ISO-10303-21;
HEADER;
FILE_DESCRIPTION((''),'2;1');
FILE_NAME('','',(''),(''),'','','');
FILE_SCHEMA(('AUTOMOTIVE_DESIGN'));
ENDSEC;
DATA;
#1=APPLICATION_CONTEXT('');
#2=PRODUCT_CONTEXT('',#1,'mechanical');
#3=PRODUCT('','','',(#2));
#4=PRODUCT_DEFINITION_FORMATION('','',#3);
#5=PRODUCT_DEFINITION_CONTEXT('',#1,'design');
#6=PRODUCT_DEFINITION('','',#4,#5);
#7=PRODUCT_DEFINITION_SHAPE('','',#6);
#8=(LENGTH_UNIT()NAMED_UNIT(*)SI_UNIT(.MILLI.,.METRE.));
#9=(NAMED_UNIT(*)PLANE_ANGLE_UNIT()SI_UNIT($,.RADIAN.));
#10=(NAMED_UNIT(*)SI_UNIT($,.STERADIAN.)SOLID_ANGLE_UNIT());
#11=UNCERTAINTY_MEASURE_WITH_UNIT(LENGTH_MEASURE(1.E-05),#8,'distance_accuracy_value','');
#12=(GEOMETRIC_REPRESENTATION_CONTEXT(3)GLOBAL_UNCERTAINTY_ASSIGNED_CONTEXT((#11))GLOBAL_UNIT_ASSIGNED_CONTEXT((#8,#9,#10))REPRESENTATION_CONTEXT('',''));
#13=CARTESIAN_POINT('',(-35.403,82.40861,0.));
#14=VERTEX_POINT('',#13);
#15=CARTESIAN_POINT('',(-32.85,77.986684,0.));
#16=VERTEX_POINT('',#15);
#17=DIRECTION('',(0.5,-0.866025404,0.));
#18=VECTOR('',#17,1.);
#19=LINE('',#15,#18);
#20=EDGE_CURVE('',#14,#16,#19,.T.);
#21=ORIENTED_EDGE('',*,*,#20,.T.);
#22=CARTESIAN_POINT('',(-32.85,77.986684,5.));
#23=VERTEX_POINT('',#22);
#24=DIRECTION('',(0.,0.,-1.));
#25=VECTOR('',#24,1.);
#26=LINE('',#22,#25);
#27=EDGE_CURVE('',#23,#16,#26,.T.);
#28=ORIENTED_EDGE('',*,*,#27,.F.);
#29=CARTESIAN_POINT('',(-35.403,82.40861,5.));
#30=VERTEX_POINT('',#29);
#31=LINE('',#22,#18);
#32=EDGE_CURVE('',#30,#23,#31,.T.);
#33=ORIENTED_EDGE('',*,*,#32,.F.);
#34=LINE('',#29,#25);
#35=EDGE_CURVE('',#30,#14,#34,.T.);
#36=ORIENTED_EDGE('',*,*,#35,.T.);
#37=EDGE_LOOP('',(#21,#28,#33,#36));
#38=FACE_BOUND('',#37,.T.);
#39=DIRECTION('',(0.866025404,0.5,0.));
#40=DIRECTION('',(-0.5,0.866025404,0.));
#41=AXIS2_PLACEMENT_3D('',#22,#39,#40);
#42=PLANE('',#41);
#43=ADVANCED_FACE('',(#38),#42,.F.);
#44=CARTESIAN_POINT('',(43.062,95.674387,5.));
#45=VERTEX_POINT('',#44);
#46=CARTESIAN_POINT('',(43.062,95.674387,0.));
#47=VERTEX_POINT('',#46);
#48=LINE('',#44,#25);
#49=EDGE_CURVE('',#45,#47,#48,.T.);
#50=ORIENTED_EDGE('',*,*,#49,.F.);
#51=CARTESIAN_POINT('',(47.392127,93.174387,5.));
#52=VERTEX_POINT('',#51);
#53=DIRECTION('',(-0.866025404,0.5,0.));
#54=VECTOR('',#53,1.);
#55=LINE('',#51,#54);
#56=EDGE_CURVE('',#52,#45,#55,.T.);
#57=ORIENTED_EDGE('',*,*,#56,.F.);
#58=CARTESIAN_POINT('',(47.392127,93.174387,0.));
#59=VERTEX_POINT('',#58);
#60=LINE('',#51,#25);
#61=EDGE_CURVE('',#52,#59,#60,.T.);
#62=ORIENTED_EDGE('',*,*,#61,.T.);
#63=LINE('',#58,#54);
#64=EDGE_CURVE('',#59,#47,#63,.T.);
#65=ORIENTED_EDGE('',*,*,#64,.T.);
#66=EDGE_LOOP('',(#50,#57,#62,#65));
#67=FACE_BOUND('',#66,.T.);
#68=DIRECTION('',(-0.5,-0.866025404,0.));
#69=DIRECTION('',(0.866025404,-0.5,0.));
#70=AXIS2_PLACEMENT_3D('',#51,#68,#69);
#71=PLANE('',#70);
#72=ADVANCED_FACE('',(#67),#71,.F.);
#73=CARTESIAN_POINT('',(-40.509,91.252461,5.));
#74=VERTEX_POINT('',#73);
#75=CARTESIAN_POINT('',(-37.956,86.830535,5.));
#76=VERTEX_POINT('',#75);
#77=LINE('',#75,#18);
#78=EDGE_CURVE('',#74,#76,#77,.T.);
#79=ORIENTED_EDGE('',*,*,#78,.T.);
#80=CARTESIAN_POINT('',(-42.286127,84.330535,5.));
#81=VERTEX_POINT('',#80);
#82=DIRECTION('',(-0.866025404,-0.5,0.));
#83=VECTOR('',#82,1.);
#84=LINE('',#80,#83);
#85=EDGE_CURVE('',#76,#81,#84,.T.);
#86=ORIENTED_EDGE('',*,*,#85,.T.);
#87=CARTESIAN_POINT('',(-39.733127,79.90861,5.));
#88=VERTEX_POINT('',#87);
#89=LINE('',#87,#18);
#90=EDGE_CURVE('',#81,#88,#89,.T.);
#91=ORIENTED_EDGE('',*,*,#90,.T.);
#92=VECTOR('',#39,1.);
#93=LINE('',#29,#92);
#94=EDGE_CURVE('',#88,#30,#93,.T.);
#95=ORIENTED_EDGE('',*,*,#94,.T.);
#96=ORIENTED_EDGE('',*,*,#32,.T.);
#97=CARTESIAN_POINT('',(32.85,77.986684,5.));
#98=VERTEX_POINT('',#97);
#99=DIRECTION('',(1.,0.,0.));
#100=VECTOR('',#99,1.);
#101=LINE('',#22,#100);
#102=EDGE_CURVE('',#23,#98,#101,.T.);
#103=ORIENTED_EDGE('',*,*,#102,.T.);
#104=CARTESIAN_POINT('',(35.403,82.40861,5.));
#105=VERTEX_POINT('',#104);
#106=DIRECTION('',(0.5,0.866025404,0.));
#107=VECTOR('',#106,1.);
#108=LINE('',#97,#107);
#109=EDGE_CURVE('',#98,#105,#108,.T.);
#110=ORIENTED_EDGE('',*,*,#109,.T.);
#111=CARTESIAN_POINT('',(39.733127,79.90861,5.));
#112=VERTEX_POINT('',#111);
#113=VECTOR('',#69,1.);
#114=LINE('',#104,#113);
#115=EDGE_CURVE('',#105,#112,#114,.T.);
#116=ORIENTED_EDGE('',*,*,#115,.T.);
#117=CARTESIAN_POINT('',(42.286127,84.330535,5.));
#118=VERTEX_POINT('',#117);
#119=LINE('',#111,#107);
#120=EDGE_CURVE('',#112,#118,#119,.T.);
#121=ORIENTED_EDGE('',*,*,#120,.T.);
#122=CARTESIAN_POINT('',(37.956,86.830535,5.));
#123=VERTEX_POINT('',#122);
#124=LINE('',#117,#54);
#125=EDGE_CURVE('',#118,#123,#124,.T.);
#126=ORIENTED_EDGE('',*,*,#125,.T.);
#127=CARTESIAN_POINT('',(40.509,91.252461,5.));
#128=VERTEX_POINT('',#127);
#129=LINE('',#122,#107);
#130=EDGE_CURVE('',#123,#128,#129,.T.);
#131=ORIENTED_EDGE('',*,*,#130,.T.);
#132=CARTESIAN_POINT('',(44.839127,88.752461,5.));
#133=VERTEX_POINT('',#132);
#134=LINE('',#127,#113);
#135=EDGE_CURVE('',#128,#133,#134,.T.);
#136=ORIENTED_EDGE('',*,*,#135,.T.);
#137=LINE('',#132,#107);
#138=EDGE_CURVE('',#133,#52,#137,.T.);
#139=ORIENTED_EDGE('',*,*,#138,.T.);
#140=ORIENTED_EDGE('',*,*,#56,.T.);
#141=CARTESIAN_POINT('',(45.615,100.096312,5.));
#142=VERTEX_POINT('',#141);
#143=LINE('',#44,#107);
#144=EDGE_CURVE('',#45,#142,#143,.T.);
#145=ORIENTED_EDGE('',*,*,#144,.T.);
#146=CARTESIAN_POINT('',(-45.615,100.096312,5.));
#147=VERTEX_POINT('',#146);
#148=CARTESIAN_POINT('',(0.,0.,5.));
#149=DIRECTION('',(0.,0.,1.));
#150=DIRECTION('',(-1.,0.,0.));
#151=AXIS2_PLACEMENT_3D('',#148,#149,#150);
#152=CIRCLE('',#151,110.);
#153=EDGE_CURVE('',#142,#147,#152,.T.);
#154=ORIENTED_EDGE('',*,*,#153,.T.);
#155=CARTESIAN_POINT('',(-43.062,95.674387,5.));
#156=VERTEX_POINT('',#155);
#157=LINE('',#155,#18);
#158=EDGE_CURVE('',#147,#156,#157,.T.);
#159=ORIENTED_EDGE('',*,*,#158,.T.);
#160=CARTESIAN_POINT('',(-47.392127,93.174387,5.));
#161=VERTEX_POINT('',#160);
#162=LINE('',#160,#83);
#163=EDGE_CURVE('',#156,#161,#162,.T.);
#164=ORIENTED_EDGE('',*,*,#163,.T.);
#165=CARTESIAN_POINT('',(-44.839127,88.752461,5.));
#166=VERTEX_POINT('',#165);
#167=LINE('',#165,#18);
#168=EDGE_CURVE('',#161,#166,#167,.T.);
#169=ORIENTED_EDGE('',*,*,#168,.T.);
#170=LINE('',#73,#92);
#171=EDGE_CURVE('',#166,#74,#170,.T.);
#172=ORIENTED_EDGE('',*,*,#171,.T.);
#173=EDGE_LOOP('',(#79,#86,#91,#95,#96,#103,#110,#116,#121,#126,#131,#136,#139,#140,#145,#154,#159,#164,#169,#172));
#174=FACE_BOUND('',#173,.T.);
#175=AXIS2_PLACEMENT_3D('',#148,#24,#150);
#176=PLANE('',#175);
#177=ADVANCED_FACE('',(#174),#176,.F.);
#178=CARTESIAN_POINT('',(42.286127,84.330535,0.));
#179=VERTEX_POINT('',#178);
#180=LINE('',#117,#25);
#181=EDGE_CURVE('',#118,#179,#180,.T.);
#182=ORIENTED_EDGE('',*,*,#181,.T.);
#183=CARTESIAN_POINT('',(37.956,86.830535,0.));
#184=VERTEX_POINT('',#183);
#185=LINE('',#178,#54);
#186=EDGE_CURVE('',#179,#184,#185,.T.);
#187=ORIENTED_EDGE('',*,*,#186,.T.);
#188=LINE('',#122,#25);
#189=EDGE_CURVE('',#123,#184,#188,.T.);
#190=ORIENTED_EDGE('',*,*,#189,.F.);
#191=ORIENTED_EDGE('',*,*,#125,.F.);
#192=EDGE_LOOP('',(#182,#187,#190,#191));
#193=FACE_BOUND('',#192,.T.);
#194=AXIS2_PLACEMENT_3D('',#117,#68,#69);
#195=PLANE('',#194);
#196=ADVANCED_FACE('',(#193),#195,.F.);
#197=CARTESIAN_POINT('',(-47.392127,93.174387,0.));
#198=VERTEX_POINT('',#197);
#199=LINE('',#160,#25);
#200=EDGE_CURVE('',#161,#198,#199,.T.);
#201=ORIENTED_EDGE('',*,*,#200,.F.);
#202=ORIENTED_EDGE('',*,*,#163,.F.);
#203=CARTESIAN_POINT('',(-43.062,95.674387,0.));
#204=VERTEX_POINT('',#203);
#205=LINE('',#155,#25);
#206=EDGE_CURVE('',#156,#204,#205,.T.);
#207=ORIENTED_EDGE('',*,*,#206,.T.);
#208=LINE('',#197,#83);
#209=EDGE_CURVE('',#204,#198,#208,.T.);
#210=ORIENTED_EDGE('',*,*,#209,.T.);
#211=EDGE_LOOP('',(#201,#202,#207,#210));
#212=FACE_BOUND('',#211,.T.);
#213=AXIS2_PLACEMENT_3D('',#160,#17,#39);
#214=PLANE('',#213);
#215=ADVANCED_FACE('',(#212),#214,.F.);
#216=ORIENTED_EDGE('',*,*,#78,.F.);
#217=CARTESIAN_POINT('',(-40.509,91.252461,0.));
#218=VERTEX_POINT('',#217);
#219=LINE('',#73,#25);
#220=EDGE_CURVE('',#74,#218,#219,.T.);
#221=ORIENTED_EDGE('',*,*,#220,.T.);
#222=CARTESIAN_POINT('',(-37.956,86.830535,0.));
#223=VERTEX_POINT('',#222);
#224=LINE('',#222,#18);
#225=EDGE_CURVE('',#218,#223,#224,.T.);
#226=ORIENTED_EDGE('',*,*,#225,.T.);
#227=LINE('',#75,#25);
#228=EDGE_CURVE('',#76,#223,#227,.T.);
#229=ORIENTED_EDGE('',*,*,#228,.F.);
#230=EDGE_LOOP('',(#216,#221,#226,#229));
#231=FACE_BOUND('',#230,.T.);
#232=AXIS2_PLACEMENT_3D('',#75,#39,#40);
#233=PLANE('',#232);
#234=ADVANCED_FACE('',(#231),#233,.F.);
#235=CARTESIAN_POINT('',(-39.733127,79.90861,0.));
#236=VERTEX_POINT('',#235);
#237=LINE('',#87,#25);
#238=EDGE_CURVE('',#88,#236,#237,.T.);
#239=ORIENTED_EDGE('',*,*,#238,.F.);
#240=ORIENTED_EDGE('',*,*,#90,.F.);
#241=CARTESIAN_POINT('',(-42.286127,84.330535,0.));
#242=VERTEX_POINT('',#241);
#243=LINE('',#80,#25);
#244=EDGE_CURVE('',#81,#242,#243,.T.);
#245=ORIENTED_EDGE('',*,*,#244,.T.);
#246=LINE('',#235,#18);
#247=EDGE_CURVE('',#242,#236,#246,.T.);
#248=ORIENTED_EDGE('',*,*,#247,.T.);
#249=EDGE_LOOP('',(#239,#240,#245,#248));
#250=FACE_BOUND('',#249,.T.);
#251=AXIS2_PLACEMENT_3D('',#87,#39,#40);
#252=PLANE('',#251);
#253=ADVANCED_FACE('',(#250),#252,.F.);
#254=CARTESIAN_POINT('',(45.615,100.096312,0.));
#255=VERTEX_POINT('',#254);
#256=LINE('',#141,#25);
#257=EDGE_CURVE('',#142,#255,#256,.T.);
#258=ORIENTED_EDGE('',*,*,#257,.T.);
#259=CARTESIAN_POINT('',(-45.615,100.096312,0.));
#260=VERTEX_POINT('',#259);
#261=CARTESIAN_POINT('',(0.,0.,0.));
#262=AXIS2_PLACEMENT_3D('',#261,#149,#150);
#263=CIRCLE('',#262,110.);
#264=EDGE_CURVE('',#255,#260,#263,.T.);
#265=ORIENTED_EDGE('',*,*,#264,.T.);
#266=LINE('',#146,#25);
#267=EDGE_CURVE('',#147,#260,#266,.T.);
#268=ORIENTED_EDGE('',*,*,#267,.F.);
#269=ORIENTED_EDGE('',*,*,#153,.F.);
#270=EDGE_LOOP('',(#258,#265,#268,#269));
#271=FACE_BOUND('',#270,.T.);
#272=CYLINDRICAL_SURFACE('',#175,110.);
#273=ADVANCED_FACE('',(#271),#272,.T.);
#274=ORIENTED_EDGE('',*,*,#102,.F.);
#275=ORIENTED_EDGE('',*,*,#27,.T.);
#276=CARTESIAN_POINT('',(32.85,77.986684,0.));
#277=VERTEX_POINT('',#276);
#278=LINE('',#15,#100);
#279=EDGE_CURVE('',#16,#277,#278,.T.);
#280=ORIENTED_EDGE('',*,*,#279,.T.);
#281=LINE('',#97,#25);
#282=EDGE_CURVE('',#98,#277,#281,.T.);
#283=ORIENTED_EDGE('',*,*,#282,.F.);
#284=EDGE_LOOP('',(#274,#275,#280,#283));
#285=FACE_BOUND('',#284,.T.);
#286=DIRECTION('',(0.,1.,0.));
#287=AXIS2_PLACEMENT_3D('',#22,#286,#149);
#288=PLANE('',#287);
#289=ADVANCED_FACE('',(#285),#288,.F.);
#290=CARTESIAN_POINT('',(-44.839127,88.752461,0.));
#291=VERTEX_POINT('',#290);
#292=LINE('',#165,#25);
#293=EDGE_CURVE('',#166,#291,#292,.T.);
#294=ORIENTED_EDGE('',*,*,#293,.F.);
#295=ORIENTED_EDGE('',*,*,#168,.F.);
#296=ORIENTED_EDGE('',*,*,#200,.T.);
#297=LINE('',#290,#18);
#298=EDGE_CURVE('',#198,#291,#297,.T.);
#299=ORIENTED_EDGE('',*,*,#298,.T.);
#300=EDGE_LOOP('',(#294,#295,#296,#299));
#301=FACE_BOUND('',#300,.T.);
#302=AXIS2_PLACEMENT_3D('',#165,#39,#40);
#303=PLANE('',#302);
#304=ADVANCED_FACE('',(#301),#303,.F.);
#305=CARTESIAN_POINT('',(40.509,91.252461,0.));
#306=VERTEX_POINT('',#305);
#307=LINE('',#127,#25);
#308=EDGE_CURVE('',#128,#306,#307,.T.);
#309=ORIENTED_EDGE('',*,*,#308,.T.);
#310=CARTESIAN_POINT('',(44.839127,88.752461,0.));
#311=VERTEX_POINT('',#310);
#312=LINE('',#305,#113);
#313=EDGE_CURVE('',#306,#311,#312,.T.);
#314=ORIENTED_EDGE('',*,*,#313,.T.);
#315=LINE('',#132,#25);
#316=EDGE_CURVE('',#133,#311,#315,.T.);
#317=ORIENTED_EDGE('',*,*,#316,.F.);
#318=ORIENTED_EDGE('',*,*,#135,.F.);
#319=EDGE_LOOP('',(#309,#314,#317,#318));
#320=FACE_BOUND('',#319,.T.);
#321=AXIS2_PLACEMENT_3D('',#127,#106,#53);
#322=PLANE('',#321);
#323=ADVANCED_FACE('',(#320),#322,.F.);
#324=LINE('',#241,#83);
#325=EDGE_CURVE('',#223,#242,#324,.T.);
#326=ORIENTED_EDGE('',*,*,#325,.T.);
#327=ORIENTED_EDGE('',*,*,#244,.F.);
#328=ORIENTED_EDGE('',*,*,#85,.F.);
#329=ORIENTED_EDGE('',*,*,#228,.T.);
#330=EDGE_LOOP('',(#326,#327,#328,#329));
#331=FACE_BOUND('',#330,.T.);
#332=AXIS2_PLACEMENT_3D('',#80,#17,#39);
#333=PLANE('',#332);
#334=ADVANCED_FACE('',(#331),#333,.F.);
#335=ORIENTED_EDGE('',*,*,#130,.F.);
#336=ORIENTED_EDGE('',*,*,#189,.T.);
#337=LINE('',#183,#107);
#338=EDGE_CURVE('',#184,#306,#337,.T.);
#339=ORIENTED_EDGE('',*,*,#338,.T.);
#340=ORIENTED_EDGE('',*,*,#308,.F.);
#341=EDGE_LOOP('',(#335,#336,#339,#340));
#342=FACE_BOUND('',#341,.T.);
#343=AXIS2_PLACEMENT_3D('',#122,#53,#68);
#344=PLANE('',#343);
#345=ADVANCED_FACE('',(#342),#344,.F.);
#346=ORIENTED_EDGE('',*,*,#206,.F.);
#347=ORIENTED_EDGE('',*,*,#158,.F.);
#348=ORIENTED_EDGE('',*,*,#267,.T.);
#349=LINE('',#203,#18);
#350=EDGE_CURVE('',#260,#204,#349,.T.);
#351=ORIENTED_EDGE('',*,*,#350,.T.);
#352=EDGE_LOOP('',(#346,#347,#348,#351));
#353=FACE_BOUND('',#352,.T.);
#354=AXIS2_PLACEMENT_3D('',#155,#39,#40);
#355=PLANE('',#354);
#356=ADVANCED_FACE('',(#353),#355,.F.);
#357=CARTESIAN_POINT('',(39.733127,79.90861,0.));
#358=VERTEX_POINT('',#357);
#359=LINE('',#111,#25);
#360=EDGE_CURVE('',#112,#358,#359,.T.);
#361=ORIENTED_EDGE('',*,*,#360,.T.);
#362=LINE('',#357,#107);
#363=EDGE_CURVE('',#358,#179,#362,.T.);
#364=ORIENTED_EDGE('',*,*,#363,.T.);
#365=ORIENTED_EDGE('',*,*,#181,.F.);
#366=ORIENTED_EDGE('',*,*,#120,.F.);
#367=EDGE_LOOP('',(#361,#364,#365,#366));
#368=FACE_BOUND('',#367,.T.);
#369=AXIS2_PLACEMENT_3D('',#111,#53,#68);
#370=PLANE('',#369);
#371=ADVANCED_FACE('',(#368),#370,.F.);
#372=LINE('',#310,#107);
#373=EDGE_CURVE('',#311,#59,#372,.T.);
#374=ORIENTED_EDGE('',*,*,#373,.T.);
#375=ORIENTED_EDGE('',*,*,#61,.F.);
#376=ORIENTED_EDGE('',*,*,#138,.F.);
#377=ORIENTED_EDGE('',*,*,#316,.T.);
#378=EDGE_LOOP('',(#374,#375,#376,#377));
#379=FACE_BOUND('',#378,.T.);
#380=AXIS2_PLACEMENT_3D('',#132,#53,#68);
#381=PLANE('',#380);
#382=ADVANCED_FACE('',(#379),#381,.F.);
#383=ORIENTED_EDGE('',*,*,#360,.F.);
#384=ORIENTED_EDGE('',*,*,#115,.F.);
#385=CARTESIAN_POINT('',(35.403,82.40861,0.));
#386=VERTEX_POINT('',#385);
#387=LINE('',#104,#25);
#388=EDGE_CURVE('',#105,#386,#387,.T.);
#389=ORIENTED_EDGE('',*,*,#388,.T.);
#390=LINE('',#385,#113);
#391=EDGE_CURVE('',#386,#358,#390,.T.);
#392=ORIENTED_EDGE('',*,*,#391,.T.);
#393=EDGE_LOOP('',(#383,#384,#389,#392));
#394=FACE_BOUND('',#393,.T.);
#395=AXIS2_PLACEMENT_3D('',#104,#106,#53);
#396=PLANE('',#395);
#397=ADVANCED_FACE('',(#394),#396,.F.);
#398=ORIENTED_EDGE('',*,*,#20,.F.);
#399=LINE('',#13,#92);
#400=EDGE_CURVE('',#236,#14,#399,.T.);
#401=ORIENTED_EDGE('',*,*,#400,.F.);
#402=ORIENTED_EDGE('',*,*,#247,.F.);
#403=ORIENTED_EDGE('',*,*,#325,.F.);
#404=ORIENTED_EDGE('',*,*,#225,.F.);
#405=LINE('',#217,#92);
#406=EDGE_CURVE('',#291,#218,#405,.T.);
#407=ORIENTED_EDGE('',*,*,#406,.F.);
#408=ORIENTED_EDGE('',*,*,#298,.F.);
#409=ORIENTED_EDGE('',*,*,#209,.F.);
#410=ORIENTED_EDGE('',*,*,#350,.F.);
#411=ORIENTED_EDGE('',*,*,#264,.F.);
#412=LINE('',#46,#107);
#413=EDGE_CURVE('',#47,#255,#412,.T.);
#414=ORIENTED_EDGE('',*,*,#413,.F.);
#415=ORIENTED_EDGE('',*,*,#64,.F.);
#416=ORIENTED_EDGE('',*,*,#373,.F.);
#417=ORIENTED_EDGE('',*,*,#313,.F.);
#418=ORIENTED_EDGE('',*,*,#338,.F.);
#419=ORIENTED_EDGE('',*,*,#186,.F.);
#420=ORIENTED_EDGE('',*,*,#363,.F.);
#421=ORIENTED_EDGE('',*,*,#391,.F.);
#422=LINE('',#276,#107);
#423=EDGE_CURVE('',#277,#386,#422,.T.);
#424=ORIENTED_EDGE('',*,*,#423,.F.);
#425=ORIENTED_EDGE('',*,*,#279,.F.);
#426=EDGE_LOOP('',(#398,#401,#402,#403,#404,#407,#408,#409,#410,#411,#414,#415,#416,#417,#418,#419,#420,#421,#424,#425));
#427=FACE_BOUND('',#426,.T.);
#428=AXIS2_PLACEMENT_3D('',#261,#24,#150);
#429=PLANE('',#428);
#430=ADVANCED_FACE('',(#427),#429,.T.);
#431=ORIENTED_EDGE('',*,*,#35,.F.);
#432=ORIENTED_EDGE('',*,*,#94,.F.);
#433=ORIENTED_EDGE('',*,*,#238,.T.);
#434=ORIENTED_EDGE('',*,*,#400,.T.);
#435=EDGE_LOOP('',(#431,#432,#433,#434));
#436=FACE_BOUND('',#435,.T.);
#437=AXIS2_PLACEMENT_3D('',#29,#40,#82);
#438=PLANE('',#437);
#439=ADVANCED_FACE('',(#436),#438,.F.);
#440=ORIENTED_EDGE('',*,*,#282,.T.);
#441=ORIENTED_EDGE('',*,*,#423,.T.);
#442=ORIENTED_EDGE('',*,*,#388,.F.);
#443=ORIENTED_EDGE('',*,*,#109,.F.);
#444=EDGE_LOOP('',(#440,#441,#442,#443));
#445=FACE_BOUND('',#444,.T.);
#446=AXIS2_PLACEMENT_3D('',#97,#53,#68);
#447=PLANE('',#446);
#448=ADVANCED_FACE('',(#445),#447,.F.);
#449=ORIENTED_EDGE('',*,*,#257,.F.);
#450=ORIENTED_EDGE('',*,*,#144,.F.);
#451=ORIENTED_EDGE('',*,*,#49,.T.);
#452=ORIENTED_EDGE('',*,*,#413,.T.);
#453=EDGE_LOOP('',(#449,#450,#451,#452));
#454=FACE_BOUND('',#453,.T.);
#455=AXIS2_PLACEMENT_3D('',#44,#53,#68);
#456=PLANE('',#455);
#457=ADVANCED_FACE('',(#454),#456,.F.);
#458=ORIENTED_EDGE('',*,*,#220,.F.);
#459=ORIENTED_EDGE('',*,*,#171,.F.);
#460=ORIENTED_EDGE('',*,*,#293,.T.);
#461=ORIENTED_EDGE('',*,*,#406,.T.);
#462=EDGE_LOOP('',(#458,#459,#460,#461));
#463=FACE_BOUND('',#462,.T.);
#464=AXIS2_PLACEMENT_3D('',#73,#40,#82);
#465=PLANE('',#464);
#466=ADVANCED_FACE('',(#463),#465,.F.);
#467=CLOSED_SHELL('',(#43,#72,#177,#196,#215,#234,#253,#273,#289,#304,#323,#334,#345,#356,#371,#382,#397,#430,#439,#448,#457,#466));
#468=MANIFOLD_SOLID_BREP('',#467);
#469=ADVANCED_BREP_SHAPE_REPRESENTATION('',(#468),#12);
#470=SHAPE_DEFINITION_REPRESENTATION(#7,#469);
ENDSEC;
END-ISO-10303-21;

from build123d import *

# Parameters (mm, degrees)
BOSS_EXTRUDE1_DEPTH = 5


with BuildPart() as part:
    # Sketch1 → Boss-Extrude1 (new body)
    with BuildSketch(Plane.XY):
        with BuildLine():
            Line((-32.85, 77.986683936), (32.85, 77.986683936))
            Line((32.85, 77.986683936), (35.403, 82.408609648))
            Line((35.403, 82.408609648), (39.733127019, 79.908609648))
            Line((39.733127019, 79.908609648), (42.286127019, 84.330535359))
            Line((42.286127019, 84.330535359), (37.956, 86.830535359))
            Line((37.956, 86.830535359), (40.509, 91.252461071))
            Line((40.509, 91.252461071), (44.839127019, 88.752461071))
            Line((44.839127019, 88.752461071), (47.392127019, 93.174386783))
            Line((47.392127019, 93.174386783), (43.062, 95.674386783))
            Line((43.062, 95.674386783), (45.615, 100.096312495))
            ThreePointArc((45.615, 100.096312495), (0, 110), (-45.615, 100.096312495))
            Line((-45.615, 100.096312495), (-43.062, 95.674386783))
            Line((-43.062, 95.674386783), (-47.392127019, 93.174386783))
            Line((-47.392127019, 93.174386783), (-44.839127019, 88.752461071))
            Line((-44.839127019, 88.752461071), (-40.509, 91.252461071))
            Line((-40.509, 91.252461071), (-37.956, 86.830535359))
            Line((-37.956, 86.830535359), (-42.286127019, 84.330535359))
            Line((-42.286127019, 84.330535359), (-39.733127019, 79.908609648))
            Line((-39.733127019, 79.908609648), (-35.403, 82.408609648))
            Line((-35.403, 82.408609648), (-32.85, 77.986683936))
        make_face()
    extrude(amount=BOSS_EXTRUDE1_DEPTH)


solid = part.part
